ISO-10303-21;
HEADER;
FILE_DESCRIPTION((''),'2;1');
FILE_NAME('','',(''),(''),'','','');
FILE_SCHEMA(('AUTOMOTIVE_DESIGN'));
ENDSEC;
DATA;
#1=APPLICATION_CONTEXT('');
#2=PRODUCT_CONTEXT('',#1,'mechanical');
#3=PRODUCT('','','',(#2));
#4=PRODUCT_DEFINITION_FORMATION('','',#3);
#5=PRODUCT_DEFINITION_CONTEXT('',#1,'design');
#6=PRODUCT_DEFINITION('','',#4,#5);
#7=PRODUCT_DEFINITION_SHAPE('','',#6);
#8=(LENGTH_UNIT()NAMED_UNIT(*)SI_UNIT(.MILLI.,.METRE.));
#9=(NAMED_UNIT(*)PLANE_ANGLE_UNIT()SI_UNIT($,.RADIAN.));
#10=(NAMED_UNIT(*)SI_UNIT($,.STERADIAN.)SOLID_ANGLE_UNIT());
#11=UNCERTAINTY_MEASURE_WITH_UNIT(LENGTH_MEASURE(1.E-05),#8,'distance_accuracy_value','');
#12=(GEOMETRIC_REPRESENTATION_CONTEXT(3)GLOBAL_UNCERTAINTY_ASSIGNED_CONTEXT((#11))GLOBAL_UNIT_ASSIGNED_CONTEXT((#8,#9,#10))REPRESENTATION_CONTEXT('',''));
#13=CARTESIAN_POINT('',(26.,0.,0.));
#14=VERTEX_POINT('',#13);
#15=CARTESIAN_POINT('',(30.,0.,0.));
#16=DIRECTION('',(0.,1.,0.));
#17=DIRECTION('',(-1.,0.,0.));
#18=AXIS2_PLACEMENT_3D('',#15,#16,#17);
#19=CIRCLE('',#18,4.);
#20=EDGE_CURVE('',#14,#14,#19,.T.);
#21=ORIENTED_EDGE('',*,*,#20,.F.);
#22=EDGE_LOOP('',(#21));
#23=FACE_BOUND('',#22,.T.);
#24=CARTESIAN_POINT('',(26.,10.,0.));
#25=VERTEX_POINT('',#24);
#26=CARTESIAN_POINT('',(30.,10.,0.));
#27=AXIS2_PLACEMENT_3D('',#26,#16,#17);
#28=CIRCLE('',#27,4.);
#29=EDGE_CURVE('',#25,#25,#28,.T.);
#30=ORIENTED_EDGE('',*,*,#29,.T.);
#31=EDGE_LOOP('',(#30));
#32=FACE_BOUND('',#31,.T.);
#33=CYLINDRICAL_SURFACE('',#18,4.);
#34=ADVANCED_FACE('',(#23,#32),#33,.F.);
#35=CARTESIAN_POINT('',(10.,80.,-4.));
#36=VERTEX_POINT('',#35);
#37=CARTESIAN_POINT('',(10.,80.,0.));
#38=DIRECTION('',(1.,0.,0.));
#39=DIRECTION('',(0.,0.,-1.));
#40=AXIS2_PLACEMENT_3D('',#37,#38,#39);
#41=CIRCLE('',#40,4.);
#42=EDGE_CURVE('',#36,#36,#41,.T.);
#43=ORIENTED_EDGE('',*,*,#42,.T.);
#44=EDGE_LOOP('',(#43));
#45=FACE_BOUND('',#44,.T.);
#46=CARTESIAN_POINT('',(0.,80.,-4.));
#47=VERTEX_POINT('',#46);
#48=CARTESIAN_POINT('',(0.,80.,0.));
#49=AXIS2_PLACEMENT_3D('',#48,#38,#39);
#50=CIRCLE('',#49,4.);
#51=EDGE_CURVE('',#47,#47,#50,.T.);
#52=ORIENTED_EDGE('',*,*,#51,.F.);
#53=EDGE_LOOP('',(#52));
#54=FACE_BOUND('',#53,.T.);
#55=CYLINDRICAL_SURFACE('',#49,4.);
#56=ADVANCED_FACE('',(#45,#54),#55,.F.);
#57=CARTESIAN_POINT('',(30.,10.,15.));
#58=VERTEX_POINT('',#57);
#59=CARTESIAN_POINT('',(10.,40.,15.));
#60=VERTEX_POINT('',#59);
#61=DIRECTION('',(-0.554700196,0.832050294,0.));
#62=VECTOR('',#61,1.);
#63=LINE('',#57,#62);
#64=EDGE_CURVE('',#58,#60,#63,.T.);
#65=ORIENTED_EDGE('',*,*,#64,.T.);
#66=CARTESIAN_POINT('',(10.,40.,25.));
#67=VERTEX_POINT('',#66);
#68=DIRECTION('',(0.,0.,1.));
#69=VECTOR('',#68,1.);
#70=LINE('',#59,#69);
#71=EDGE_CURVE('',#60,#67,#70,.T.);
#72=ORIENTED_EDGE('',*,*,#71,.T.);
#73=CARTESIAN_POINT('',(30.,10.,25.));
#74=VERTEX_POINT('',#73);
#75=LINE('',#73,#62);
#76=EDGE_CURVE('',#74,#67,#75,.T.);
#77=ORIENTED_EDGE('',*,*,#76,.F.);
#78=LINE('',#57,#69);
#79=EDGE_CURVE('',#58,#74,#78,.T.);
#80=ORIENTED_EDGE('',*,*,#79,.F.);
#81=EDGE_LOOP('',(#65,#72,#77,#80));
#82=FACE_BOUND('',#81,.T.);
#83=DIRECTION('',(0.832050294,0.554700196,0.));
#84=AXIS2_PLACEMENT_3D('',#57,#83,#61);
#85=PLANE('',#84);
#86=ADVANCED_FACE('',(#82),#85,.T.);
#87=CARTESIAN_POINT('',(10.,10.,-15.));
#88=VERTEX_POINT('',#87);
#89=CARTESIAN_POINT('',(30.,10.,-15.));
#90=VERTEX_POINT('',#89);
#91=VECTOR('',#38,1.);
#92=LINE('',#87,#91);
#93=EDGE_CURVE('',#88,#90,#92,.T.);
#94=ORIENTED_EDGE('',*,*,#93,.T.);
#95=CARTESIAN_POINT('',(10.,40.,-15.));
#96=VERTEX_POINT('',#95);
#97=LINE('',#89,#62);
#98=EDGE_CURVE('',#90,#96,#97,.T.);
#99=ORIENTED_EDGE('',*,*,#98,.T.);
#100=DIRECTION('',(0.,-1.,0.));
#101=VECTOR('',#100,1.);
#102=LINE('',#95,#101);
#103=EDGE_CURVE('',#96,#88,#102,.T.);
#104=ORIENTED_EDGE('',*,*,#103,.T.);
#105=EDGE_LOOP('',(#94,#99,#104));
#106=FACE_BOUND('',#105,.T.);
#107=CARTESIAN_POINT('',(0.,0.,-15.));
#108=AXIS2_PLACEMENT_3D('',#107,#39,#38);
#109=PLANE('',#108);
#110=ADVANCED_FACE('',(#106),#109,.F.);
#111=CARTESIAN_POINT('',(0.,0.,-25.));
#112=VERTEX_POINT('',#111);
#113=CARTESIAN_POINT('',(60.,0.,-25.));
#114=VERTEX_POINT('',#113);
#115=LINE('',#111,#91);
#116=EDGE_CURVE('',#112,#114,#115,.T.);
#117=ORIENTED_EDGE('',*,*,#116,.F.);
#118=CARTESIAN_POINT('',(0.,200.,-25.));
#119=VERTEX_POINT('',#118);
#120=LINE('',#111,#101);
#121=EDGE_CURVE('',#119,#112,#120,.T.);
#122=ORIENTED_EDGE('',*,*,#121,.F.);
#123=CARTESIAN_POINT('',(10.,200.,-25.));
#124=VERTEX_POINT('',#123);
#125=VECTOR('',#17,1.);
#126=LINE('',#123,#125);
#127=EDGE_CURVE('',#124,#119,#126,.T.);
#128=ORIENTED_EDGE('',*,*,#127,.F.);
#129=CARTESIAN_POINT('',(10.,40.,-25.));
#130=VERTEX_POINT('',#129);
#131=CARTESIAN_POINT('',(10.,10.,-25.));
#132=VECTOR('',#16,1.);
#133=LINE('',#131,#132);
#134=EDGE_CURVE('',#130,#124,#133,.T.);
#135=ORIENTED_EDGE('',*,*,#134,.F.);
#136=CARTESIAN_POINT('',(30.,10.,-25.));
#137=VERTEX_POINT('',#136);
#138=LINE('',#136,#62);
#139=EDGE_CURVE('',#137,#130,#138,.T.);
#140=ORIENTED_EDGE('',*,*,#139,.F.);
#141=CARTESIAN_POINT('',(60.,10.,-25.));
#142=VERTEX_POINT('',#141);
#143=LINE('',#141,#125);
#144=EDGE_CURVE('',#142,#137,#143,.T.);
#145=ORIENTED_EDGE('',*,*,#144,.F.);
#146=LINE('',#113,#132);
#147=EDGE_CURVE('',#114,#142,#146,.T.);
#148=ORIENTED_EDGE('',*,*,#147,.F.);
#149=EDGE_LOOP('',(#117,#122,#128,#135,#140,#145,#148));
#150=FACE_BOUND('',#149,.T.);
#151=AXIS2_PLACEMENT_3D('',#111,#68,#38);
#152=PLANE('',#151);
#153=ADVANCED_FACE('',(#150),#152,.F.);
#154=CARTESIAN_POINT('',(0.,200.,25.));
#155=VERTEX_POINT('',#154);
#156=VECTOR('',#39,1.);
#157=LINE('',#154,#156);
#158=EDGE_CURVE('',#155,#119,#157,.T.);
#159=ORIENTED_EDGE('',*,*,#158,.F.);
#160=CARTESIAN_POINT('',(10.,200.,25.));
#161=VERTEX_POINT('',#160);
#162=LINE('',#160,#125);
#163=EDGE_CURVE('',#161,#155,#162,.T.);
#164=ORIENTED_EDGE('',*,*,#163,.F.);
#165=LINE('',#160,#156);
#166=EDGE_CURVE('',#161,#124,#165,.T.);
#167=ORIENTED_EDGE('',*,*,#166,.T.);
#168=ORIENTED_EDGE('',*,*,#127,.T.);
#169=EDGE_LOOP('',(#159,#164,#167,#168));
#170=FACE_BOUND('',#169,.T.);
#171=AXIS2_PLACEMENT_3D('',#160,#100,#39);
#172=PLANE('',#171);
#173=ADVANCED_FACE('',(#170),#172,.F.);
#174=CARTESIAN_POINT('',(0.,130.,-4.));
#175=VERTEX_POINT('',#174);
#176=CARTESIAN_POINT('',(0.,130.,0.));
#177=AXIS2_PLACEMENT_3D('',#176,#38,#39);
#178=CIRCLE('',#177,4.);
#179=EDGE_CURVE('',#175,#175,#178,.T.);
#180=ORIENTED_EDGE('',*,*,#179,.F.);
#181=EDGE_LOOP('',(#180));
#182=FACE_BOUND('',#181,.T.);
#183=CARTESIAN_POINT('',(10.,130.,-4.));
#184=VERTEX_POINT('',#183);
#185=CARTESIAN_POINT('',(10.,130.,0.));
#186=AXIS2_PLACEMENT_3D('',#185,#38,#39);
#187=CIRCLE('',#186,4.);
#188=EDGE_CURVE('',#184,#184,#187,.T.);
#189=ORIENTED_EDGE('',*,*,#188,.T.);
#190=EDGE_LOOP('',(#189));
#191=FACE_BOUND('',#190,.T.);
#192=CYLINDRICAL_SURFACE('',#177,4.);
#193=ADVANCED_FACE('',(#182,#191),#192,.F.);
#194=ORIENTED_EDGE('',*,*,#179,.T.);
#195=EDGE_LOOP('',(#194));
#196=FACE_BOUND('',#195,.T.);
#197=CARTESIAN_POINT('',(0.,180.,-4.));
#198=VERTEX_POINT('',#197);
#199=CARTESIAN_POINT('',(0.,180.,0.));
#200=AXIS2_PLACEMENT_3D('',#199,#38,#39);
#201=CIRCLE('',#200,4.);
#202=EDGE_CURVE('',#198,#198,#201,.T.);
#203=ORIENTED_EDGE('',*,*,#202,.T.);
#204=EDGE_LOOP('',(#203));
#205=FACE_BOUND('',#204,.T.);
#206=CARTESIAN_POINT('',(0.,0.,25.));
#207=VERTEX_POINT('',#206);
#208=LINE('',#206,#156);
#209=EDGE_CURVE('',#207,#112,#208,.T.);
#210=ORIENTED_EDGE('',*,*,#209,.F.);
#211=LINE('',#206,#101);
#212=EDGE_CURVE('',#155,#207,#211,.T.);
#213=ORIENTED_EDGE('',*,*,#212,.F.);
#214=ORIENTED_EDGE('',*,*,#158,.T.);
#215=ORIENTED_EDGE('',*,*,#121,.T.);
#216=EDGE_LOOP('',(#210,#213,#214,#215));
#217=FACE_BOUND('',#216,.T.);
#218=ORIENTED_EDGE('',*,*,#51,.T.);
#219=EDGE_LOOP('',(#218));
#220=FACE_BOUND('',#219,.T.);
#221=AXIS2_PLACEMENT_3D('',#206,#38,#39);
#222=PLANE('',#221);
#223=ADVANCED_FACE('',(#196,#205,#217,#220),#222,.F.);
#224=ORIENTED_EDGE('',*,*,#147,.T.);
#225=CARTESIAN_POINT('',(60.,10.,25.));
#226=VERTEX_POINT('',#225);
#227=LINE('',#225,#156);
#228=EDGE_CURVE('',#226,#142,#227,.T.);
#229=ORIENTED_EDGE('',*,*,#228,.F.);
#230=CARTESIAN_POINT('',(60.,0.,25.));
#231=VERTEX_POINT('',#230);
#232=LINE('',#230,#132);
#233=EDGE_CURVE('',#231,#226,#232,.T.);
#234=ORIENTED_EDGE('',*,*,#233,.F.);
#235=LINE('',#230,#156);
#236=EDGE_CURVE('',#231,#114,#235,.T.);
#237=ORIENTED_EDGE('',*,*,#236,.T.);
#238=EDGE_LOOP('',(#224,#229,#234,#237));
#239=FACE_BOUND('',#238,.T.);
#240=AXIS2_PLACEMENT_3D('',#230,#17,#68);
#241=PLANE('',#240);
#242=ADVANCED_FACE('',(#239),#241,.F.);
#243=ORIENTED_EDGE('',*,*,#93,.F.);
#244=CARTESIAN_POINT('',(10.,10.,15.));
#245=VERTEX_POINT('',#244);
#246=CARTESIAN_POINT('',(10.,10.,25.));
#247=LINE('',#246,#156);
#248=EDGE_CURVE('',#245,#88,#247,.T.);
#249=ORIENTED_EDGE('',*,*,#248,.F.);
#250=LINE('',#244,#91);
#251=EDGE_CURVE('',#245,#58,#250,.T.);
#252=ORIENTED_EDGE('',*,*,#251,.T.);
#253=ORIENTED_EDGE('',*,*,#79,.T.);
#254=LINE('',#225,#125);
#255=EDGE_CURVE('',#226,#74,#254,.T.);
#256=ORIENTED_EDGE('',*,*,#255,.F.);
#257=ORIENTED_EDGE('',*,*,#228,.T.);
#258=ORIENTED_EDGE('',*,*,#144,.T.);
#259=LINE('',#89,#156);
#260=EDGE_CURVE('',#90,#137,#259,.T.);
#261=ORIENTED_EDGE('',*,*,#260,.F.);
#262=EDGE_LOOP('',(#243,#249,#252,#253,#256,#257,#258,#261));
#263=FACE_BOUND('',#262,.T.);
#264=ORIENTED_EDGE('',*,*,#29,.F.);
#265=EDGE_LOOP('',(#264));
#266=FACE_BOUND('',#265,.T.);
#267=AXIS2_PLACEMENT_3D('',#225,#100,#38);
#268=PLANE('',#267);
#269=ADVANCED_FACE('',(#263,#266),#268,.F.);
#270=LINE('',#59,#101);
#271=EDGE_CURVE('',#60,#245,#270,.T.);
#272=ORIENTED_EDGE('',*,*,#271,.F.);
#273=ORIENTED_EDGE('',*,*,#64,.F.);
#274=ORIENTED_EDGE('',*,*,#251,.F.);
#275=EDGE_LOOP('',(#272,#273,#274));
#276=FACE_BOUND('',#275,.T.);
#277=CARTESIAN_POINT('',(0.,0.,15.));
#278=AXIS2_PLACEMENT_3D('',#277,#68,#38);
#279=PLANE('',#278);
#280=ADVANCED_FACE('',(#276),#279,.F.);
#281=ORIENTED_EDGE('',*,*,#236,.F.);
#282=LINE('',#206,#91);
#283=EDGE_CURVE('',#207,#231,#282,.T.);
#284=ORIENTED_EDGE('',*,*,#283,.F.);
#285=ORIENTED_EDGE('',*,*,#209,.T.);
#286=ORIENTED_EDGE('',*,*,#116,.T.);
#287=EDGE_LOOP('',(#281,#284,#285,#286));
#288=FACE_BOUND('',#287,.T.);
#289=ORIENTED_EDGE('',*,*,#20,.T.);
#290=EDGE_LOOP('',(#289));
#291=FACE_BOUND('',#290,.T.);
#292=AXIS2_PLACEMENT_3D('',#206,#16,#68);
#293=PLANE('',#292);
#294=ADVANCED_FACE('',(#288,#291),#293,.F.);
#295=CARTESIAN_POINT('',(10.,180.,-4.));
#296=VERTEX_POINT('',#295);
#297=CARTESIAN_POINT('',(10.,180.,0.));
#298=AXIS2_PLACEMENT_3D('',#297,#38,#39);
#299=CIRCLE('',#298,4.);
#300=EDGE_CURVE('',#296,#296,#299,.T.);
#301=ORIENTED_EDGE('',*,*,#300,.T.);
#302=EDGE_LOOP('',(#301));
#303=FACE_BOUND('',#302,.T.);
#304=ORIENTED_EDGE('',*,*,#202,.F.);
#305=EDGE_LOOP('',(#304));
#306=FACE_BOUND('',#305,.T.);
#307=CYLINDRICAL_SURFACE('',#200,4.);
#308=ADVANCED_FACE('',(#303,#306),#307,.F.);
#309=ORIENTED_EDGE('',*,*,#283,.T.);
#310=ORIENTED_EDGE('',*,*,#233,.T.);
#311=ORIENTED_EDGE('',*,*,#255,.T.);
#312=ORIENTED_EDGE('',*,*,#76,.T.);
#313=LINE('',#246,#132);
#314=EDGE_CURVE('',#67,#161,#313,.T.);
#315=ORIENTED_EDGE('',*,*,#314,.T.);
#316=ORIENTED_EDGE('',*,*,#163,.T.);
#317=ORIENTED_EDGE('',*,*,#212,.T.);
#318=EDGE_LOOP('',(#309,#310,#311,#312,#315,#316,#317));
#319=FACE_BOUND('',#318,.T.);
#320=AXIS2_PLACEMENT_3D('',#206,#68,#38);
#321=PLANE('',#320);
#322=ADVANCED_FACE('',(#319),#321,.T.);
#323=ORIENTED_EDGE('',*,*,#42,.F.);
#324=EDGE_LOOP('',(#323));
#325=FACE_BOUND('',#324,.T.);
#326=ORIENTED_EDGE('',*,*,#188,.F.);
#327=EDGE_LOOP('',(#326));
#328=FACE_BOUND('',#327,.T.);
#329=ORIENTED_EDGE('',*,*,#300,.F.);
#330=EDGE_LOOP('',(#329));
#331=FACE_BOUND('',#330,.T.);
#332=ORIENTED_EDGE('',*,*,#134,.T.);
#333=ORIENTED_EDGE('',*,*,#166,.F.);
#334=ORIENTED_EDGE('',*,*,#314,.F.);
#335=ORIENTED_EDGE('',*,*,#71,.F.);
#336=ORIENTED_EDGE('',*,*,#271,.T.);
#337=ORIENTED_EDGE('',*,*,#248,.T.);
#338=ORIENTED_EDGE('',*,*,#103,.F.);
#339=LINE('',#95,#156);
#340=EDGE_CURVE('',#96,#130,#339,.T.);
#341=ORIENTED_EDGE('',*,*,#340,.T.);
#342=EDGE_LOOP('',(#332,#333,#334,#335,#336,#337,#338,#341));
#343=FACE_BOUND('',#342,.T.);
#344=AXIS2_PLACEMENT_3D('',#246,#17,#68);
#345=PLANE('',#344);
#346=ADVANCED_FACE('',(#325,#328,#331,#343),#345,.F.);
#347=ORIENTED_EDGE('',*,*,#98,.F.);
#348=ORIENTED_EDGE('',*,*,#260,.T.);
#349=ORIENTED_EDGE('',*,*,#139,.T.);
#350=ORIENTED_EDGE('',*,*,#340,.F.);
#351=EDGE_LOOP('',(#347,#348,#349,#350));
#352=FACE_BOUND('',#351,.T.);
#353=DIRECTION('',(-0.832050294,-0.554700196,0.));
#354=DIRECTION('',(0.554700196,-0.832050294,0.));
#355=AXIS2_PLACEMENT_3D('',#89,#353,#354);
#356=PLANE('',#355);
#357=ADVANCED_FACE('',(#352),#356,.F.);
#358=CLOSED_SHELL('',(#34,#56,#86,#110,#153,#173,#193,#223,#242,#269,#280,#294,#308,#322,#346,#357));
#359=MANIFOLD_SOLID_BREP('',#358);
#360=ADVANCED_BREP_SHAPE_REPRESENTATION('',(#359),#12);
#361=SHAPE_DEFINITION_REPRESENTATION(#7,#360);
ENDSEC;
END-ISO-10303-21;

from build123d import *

# Parameters (mm, degrees)
BOSS_EXTRUDE1_DEPTH = 25
SKETCH2_R           = 4
CUT_EXTRUDE1_DEPTH  = 201.81085628
SKETCH3_R           = 4
CUT_EXTRUDE2_DEPTH  = 208.665596573
BOSS_EXTRUDE2_DEPTH = 10


with BuildPart() as part:
    # Sketch1 → Boss-Extrude1 (new, symmetric)
    with BuildSketch(Plane.XY):
        Polygon((0, 0), (0, 200), (10, 200), (10, 10), (60, 10), (60, 0), align=None)
    extrude(amount=BOSS_EXTRUDE1_DEPTH, both=True)

    # Sketch2 → Cut-Extrude1 (cut, through all)
    with BuildSketch(Plane(origin=(0, 10, 0), x_dir=(1, 0, 0), z_dir=(0, 1, 0))):
        with Locations(Location((30, 0, 0), (0, 0, 180))):
            Circle(SKETCH2_R)
    extrude(amount=-CUT_EXTRUDE1_DEPTH, mode=Mode.SUBTRACT)

    # Sketch3 → Cut-Extrude2 (cut, through all)
    with BuildSketch(Plane(origin=(10, 0, 0), x_dir=(0, 0, -1), z_dir=(1, 0, 0))):
        with Locations((0, 180)):
            Circle(SKETCH3_R)
        with Locations((0, 130)):
            Circle(SKETCH3_R)
        with Locations((0, 80)):
            Circle(SKETCH3_R)
    extrude(amount=-CUT_EXTRUDE2_DEPTH, mode=Mode.SUBTRACT)

    # Sketch5 → Boss-Extrude2 (add)
    with BuildSketch(Plane.XY.offset(25)):
        Polygon((10, 10), (30, 10), (10, 40), align=None)
    boss_extrude2 = extrude(amount=-BOSS_EXTRUDE2_DEPTH)

    # Mirror1: Boss-Extrude2 across plane
    add(boss_extrude2.mirror(Plane(origin=(0, 0, 0), x_dir=(1, 0, 0), z_dir=(0, 0, -1))))


solid = part.part
